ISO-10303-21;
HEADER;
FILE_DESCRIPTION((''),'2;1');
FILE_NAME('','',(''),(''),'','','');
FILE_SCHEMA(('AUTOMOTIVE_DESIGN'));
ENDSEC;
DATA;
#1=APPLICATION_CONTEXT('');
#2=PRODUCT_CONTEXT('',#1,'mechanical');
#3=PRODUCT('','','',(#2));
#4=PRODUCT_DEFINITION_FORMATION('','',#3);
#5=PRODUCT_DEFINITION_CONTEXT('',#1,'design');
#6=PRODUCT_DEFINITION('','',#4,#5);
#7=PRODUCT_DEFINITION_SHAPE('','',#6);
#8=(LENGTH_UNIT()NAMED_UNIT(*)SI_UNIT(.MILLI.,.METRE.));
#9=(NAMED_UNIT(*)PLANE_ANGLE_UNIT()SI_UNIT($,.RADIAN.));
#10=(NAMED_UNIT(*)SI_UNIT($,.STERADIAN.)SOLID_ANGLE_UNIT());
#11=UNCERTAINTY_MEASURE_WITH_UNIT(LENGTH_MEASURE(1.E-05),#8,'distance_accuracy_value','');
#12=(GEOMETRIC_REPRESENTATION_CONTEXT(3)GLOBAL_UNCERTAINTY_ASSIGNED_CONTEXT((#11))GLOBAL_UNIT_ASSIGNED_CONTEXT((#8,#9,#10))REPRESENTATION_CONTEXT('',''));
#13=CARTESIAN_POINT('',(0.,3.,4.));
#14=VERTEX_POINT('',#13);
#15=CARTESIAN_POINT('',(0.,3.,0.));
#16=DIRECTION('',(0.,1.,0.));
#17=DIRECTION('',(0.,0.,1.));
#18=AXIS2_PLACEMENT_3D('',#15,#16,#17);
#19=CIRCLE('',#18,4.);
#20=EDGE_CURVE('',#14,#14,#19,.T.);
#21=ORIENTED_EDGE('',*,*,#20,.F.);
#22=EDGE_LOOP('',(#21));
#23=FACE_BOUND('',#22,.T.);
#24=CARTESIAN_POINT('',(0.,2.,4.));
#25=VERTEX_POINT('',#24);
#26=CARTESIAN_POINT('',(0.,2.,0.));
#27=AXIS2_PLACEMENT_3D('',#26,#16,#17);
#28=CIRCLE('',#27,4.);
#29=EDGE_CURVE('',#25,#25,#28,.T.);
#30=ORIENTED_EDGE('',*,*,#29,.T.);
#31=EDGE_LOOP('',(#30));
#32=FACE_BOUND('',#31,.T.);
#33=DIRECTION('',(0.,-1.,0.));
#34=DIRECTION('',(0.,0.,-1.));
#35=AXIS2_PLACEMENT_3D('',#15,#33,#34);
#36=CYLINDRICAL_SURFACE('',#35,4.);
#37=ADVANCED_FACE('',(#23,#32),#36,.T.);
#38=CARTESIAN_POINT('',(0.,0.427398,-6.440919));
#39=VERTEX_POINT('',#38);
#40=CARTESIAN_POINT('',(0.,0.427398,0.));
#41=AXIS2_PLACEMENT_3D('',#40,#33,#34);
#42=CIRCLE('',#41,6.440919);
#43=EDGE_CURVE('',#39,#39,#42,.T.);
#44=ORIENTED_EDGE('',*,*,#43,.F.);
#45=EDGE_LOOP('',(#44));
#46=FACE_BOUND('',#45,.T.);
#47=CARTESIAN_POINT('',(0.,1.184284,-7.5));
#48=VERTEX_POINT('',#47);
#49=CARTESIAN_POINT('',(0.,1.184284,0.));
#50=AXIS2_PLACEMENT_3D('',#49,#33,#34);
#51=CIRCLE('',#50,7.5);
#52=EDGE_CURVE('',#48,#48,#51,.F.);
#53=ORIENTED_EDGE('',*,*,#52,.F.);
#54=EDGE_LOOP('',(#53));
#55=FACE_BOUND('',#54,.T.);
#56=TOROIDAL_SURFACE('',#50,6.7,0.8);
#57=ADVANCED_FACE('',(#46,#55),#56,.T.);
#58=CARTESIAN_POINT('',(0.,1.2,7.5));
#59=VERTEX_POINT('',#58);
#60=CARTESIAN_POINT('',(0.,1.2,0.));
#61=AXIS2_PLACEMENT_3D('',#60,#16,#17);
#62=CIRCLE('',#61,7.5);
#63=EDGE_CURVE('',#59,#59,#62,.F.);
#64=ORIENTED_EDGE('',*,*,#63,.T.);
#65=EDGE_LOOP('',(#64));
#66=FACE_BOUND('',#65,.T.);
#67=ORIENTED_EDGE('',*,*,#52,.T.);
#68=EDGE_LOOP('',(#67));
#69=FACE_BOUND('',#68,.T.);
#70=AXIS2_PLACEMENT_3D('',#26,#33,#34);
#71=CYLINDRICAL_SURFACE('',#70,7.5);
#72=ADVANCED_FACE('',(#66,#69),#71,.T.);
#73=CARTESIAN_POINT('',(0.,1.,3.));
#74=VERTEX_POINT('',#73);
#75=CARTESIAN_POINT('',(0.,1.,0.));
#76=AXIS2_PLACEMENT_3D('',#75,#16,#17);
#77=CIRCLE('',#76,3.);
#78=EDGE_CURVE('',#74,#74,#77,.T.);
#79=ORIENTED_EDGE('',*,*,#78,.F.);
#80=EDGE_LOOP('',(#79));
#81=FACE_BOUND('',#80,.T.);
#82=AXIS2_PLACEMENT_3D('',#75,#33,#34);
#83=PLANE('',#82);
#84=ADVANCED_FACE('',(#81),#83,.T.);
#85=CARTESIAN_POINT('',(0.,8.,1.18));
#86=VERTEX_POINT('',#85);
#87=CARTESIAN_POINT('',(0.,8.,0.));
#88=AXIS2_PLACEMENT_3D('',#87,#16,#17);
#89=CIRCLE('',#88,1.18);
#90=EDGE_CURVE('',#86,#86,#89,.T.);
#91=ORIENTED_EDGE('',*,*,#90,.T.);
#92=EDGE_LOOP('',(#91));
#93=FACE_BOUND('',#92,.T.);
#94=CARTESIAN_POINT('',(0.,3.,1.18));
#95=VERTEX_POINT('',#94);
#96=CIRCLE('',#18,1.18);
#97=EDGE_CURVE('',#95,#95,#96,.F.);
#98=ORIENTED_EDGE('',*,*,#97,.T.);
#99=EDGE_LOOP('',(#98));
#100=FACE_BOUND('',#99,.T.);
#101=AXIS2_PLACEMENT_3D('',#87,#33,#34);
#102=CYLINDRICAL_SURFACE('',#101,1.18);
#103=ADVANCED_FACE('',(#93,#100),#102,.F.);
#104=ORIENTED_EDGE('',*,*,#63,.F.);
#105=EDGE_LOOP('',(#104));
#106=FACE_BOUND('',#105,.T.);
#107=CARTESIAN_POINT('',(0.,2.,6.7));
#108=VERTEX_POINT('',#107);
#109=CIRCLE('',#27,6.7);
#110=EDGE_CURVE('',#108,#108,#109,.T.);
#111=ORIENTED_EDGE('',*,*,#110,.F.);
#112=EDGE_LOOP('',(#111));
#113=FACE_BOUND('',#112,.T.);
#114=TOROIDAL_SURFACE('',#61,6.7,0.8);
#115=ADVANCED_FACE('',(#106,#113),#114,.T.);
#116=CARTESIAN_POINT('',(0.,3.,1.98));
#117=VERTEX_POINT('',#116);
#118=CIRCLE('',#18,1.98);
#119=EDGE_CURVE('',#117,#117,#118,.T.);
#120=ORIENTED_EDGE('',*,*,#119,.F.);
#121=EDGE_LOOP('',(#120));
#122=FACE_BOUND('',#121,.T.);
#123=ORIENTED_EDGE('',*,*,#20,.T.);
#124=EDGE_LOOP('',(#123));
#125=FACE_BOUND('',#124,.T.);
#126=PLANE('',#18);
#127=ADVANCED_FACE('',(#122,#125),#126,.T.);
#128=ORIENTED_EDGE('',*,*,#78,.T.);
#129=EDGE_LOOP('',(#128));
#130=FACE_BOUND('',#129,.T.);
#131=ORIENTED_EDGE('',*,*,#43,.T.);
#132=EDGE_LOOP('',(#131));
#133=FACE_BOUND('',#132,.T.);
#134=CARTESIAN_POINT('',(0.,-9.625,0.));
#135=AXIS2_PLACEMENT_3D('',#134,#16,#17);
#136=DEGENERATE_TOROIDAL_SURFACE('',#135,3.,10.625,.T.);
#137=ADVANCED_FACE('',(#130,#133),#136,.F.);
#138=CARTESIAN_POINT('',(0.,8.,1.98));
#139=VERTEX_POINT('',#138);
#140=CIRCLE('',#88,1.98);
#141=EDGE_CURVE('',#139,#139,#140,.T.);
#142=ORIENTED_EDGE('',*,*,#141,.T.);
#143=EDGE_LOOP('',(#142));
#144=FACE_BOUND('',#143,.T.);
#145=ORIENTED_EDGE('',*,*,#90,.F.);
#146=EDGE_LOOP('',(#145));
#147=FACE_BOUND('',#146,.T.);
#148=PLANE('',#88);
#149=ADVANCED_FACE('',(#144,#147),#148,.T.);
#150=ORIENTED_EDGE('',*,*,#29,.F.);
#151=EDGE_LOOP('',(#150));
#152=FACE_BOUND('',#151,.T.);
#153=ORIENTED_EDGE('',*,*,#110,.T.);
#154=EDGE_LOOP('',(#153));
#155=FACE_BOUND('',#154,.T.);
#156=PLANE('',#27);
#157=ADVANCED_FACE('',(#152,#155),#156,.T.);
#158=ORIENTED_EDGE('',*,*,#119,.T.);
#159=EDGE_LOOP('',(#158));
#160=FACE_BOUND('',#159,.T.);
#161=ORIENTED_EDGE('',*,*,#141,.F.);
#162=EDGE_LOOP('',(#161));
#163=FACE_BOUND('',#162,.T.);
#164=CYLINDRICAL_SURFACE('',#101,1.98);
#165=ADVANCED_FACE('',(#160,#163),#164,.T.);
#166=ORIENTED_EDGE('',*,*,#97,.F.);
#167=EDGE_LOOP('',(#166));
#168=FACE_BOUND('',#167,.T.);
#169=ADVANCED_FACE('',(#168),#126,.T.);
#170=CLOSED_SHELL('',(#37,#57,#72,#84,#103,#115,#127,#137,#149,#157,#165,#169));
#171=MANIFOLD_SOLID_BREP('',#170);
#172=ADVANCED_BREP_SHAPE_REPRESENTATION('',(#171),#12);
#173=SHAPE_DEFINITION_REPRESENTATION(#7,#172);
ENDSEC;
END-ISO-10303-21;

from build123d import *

# Parameters (mm, degrees)
CROQUIS1_R              = 7.5
SALIENTE_EXTRUIR1_DEPTH = 2
CROQUIS2_R              = 4
SALIENTE_EXTRUIR2_DEPTH = 1
CROQUIS3_R              = 1.98
CROQUIS3_R_2            = 1.18
HEMBRA_DEPTH            = 5
REDONDEO1_R             = 0.8


with BuildPart() as part:
    # Croquis1 → Saliente-Extruir1 (new body)
    with BuildSketch(Plane(origin=(0, 0, 0), x_dir=(1, 0, 0), z_dir=(0, 1, 0))):
        with Locations(Location((0, 0, 0), (0, 0, 270))):
            Circle(CROQUIS1_R)
    extrude(amount=SALIENTE_EXTRUIR1_DEPTH)

    # Croquis2 → Saliente-Extruir2 (add)
    with BuildSketch(Plane(origin=(0, 2, 0), x_dir=(1, 0, 0), z_dir=(0, 1, 0))):
        with Locations(Location((0, 0, 0), (0, 0, 270))):
            Circle(CROQUIS2_R)
    extrude(amount=SALIENTE_EXTRUIR2_DEPTH)

    # Croquis3 → Hembra (add)
    with BuildSketch(Plane(origin=(0, 3, 0), x_dir=(1, 0, 0), z_dir=(0, 1, 0))):
        with Locations(Location((0, 0, 0), (0, 0, 270))):
            Circle(CROQUIS3_R)
        with Locations(Location((0, 0, 0), (0, 0, 270))):
            Circle(CROQUIS3_R_2, mode=Mode.SUBTRACT)
    extrude(amount=HEMBRA_DEPTH)

    # Croquis4 → Cortar-Revolución1 (revolve, cut)
    with BuildSketch(Plane.XY, mode=Mode.PRIVATE) as cortar_revoluci_n1_sk:
        with BuildLine():
            Line((0, 1), (0, 0))
            Line((0, 0), (7.5, 0))
            ThreePointArc((7.5, 0), (5.304886114, 0.746987514), (3, 1))
            Line((3, 1), (0, 1))
        make_face()
    revolve(cortar_revoluci_n1_sk.sketch.rotate(Axis((0, 6.93, 0), (0, -1, 0)), 90), axis=Axis((0, 6.93, 0), (0, -1, 0)), mode=Mode.SUBTRACT)

    # Redondeo1
    redondeo1_edges = [part.edges().sort_by_distance(p)[0] for p in [
        (0, 0, -7.5),
        (0, 2, -7.5),
    ]]
    fillet(redondeo1_edges, radius=REDONDEO1_R)


solid = part.part
